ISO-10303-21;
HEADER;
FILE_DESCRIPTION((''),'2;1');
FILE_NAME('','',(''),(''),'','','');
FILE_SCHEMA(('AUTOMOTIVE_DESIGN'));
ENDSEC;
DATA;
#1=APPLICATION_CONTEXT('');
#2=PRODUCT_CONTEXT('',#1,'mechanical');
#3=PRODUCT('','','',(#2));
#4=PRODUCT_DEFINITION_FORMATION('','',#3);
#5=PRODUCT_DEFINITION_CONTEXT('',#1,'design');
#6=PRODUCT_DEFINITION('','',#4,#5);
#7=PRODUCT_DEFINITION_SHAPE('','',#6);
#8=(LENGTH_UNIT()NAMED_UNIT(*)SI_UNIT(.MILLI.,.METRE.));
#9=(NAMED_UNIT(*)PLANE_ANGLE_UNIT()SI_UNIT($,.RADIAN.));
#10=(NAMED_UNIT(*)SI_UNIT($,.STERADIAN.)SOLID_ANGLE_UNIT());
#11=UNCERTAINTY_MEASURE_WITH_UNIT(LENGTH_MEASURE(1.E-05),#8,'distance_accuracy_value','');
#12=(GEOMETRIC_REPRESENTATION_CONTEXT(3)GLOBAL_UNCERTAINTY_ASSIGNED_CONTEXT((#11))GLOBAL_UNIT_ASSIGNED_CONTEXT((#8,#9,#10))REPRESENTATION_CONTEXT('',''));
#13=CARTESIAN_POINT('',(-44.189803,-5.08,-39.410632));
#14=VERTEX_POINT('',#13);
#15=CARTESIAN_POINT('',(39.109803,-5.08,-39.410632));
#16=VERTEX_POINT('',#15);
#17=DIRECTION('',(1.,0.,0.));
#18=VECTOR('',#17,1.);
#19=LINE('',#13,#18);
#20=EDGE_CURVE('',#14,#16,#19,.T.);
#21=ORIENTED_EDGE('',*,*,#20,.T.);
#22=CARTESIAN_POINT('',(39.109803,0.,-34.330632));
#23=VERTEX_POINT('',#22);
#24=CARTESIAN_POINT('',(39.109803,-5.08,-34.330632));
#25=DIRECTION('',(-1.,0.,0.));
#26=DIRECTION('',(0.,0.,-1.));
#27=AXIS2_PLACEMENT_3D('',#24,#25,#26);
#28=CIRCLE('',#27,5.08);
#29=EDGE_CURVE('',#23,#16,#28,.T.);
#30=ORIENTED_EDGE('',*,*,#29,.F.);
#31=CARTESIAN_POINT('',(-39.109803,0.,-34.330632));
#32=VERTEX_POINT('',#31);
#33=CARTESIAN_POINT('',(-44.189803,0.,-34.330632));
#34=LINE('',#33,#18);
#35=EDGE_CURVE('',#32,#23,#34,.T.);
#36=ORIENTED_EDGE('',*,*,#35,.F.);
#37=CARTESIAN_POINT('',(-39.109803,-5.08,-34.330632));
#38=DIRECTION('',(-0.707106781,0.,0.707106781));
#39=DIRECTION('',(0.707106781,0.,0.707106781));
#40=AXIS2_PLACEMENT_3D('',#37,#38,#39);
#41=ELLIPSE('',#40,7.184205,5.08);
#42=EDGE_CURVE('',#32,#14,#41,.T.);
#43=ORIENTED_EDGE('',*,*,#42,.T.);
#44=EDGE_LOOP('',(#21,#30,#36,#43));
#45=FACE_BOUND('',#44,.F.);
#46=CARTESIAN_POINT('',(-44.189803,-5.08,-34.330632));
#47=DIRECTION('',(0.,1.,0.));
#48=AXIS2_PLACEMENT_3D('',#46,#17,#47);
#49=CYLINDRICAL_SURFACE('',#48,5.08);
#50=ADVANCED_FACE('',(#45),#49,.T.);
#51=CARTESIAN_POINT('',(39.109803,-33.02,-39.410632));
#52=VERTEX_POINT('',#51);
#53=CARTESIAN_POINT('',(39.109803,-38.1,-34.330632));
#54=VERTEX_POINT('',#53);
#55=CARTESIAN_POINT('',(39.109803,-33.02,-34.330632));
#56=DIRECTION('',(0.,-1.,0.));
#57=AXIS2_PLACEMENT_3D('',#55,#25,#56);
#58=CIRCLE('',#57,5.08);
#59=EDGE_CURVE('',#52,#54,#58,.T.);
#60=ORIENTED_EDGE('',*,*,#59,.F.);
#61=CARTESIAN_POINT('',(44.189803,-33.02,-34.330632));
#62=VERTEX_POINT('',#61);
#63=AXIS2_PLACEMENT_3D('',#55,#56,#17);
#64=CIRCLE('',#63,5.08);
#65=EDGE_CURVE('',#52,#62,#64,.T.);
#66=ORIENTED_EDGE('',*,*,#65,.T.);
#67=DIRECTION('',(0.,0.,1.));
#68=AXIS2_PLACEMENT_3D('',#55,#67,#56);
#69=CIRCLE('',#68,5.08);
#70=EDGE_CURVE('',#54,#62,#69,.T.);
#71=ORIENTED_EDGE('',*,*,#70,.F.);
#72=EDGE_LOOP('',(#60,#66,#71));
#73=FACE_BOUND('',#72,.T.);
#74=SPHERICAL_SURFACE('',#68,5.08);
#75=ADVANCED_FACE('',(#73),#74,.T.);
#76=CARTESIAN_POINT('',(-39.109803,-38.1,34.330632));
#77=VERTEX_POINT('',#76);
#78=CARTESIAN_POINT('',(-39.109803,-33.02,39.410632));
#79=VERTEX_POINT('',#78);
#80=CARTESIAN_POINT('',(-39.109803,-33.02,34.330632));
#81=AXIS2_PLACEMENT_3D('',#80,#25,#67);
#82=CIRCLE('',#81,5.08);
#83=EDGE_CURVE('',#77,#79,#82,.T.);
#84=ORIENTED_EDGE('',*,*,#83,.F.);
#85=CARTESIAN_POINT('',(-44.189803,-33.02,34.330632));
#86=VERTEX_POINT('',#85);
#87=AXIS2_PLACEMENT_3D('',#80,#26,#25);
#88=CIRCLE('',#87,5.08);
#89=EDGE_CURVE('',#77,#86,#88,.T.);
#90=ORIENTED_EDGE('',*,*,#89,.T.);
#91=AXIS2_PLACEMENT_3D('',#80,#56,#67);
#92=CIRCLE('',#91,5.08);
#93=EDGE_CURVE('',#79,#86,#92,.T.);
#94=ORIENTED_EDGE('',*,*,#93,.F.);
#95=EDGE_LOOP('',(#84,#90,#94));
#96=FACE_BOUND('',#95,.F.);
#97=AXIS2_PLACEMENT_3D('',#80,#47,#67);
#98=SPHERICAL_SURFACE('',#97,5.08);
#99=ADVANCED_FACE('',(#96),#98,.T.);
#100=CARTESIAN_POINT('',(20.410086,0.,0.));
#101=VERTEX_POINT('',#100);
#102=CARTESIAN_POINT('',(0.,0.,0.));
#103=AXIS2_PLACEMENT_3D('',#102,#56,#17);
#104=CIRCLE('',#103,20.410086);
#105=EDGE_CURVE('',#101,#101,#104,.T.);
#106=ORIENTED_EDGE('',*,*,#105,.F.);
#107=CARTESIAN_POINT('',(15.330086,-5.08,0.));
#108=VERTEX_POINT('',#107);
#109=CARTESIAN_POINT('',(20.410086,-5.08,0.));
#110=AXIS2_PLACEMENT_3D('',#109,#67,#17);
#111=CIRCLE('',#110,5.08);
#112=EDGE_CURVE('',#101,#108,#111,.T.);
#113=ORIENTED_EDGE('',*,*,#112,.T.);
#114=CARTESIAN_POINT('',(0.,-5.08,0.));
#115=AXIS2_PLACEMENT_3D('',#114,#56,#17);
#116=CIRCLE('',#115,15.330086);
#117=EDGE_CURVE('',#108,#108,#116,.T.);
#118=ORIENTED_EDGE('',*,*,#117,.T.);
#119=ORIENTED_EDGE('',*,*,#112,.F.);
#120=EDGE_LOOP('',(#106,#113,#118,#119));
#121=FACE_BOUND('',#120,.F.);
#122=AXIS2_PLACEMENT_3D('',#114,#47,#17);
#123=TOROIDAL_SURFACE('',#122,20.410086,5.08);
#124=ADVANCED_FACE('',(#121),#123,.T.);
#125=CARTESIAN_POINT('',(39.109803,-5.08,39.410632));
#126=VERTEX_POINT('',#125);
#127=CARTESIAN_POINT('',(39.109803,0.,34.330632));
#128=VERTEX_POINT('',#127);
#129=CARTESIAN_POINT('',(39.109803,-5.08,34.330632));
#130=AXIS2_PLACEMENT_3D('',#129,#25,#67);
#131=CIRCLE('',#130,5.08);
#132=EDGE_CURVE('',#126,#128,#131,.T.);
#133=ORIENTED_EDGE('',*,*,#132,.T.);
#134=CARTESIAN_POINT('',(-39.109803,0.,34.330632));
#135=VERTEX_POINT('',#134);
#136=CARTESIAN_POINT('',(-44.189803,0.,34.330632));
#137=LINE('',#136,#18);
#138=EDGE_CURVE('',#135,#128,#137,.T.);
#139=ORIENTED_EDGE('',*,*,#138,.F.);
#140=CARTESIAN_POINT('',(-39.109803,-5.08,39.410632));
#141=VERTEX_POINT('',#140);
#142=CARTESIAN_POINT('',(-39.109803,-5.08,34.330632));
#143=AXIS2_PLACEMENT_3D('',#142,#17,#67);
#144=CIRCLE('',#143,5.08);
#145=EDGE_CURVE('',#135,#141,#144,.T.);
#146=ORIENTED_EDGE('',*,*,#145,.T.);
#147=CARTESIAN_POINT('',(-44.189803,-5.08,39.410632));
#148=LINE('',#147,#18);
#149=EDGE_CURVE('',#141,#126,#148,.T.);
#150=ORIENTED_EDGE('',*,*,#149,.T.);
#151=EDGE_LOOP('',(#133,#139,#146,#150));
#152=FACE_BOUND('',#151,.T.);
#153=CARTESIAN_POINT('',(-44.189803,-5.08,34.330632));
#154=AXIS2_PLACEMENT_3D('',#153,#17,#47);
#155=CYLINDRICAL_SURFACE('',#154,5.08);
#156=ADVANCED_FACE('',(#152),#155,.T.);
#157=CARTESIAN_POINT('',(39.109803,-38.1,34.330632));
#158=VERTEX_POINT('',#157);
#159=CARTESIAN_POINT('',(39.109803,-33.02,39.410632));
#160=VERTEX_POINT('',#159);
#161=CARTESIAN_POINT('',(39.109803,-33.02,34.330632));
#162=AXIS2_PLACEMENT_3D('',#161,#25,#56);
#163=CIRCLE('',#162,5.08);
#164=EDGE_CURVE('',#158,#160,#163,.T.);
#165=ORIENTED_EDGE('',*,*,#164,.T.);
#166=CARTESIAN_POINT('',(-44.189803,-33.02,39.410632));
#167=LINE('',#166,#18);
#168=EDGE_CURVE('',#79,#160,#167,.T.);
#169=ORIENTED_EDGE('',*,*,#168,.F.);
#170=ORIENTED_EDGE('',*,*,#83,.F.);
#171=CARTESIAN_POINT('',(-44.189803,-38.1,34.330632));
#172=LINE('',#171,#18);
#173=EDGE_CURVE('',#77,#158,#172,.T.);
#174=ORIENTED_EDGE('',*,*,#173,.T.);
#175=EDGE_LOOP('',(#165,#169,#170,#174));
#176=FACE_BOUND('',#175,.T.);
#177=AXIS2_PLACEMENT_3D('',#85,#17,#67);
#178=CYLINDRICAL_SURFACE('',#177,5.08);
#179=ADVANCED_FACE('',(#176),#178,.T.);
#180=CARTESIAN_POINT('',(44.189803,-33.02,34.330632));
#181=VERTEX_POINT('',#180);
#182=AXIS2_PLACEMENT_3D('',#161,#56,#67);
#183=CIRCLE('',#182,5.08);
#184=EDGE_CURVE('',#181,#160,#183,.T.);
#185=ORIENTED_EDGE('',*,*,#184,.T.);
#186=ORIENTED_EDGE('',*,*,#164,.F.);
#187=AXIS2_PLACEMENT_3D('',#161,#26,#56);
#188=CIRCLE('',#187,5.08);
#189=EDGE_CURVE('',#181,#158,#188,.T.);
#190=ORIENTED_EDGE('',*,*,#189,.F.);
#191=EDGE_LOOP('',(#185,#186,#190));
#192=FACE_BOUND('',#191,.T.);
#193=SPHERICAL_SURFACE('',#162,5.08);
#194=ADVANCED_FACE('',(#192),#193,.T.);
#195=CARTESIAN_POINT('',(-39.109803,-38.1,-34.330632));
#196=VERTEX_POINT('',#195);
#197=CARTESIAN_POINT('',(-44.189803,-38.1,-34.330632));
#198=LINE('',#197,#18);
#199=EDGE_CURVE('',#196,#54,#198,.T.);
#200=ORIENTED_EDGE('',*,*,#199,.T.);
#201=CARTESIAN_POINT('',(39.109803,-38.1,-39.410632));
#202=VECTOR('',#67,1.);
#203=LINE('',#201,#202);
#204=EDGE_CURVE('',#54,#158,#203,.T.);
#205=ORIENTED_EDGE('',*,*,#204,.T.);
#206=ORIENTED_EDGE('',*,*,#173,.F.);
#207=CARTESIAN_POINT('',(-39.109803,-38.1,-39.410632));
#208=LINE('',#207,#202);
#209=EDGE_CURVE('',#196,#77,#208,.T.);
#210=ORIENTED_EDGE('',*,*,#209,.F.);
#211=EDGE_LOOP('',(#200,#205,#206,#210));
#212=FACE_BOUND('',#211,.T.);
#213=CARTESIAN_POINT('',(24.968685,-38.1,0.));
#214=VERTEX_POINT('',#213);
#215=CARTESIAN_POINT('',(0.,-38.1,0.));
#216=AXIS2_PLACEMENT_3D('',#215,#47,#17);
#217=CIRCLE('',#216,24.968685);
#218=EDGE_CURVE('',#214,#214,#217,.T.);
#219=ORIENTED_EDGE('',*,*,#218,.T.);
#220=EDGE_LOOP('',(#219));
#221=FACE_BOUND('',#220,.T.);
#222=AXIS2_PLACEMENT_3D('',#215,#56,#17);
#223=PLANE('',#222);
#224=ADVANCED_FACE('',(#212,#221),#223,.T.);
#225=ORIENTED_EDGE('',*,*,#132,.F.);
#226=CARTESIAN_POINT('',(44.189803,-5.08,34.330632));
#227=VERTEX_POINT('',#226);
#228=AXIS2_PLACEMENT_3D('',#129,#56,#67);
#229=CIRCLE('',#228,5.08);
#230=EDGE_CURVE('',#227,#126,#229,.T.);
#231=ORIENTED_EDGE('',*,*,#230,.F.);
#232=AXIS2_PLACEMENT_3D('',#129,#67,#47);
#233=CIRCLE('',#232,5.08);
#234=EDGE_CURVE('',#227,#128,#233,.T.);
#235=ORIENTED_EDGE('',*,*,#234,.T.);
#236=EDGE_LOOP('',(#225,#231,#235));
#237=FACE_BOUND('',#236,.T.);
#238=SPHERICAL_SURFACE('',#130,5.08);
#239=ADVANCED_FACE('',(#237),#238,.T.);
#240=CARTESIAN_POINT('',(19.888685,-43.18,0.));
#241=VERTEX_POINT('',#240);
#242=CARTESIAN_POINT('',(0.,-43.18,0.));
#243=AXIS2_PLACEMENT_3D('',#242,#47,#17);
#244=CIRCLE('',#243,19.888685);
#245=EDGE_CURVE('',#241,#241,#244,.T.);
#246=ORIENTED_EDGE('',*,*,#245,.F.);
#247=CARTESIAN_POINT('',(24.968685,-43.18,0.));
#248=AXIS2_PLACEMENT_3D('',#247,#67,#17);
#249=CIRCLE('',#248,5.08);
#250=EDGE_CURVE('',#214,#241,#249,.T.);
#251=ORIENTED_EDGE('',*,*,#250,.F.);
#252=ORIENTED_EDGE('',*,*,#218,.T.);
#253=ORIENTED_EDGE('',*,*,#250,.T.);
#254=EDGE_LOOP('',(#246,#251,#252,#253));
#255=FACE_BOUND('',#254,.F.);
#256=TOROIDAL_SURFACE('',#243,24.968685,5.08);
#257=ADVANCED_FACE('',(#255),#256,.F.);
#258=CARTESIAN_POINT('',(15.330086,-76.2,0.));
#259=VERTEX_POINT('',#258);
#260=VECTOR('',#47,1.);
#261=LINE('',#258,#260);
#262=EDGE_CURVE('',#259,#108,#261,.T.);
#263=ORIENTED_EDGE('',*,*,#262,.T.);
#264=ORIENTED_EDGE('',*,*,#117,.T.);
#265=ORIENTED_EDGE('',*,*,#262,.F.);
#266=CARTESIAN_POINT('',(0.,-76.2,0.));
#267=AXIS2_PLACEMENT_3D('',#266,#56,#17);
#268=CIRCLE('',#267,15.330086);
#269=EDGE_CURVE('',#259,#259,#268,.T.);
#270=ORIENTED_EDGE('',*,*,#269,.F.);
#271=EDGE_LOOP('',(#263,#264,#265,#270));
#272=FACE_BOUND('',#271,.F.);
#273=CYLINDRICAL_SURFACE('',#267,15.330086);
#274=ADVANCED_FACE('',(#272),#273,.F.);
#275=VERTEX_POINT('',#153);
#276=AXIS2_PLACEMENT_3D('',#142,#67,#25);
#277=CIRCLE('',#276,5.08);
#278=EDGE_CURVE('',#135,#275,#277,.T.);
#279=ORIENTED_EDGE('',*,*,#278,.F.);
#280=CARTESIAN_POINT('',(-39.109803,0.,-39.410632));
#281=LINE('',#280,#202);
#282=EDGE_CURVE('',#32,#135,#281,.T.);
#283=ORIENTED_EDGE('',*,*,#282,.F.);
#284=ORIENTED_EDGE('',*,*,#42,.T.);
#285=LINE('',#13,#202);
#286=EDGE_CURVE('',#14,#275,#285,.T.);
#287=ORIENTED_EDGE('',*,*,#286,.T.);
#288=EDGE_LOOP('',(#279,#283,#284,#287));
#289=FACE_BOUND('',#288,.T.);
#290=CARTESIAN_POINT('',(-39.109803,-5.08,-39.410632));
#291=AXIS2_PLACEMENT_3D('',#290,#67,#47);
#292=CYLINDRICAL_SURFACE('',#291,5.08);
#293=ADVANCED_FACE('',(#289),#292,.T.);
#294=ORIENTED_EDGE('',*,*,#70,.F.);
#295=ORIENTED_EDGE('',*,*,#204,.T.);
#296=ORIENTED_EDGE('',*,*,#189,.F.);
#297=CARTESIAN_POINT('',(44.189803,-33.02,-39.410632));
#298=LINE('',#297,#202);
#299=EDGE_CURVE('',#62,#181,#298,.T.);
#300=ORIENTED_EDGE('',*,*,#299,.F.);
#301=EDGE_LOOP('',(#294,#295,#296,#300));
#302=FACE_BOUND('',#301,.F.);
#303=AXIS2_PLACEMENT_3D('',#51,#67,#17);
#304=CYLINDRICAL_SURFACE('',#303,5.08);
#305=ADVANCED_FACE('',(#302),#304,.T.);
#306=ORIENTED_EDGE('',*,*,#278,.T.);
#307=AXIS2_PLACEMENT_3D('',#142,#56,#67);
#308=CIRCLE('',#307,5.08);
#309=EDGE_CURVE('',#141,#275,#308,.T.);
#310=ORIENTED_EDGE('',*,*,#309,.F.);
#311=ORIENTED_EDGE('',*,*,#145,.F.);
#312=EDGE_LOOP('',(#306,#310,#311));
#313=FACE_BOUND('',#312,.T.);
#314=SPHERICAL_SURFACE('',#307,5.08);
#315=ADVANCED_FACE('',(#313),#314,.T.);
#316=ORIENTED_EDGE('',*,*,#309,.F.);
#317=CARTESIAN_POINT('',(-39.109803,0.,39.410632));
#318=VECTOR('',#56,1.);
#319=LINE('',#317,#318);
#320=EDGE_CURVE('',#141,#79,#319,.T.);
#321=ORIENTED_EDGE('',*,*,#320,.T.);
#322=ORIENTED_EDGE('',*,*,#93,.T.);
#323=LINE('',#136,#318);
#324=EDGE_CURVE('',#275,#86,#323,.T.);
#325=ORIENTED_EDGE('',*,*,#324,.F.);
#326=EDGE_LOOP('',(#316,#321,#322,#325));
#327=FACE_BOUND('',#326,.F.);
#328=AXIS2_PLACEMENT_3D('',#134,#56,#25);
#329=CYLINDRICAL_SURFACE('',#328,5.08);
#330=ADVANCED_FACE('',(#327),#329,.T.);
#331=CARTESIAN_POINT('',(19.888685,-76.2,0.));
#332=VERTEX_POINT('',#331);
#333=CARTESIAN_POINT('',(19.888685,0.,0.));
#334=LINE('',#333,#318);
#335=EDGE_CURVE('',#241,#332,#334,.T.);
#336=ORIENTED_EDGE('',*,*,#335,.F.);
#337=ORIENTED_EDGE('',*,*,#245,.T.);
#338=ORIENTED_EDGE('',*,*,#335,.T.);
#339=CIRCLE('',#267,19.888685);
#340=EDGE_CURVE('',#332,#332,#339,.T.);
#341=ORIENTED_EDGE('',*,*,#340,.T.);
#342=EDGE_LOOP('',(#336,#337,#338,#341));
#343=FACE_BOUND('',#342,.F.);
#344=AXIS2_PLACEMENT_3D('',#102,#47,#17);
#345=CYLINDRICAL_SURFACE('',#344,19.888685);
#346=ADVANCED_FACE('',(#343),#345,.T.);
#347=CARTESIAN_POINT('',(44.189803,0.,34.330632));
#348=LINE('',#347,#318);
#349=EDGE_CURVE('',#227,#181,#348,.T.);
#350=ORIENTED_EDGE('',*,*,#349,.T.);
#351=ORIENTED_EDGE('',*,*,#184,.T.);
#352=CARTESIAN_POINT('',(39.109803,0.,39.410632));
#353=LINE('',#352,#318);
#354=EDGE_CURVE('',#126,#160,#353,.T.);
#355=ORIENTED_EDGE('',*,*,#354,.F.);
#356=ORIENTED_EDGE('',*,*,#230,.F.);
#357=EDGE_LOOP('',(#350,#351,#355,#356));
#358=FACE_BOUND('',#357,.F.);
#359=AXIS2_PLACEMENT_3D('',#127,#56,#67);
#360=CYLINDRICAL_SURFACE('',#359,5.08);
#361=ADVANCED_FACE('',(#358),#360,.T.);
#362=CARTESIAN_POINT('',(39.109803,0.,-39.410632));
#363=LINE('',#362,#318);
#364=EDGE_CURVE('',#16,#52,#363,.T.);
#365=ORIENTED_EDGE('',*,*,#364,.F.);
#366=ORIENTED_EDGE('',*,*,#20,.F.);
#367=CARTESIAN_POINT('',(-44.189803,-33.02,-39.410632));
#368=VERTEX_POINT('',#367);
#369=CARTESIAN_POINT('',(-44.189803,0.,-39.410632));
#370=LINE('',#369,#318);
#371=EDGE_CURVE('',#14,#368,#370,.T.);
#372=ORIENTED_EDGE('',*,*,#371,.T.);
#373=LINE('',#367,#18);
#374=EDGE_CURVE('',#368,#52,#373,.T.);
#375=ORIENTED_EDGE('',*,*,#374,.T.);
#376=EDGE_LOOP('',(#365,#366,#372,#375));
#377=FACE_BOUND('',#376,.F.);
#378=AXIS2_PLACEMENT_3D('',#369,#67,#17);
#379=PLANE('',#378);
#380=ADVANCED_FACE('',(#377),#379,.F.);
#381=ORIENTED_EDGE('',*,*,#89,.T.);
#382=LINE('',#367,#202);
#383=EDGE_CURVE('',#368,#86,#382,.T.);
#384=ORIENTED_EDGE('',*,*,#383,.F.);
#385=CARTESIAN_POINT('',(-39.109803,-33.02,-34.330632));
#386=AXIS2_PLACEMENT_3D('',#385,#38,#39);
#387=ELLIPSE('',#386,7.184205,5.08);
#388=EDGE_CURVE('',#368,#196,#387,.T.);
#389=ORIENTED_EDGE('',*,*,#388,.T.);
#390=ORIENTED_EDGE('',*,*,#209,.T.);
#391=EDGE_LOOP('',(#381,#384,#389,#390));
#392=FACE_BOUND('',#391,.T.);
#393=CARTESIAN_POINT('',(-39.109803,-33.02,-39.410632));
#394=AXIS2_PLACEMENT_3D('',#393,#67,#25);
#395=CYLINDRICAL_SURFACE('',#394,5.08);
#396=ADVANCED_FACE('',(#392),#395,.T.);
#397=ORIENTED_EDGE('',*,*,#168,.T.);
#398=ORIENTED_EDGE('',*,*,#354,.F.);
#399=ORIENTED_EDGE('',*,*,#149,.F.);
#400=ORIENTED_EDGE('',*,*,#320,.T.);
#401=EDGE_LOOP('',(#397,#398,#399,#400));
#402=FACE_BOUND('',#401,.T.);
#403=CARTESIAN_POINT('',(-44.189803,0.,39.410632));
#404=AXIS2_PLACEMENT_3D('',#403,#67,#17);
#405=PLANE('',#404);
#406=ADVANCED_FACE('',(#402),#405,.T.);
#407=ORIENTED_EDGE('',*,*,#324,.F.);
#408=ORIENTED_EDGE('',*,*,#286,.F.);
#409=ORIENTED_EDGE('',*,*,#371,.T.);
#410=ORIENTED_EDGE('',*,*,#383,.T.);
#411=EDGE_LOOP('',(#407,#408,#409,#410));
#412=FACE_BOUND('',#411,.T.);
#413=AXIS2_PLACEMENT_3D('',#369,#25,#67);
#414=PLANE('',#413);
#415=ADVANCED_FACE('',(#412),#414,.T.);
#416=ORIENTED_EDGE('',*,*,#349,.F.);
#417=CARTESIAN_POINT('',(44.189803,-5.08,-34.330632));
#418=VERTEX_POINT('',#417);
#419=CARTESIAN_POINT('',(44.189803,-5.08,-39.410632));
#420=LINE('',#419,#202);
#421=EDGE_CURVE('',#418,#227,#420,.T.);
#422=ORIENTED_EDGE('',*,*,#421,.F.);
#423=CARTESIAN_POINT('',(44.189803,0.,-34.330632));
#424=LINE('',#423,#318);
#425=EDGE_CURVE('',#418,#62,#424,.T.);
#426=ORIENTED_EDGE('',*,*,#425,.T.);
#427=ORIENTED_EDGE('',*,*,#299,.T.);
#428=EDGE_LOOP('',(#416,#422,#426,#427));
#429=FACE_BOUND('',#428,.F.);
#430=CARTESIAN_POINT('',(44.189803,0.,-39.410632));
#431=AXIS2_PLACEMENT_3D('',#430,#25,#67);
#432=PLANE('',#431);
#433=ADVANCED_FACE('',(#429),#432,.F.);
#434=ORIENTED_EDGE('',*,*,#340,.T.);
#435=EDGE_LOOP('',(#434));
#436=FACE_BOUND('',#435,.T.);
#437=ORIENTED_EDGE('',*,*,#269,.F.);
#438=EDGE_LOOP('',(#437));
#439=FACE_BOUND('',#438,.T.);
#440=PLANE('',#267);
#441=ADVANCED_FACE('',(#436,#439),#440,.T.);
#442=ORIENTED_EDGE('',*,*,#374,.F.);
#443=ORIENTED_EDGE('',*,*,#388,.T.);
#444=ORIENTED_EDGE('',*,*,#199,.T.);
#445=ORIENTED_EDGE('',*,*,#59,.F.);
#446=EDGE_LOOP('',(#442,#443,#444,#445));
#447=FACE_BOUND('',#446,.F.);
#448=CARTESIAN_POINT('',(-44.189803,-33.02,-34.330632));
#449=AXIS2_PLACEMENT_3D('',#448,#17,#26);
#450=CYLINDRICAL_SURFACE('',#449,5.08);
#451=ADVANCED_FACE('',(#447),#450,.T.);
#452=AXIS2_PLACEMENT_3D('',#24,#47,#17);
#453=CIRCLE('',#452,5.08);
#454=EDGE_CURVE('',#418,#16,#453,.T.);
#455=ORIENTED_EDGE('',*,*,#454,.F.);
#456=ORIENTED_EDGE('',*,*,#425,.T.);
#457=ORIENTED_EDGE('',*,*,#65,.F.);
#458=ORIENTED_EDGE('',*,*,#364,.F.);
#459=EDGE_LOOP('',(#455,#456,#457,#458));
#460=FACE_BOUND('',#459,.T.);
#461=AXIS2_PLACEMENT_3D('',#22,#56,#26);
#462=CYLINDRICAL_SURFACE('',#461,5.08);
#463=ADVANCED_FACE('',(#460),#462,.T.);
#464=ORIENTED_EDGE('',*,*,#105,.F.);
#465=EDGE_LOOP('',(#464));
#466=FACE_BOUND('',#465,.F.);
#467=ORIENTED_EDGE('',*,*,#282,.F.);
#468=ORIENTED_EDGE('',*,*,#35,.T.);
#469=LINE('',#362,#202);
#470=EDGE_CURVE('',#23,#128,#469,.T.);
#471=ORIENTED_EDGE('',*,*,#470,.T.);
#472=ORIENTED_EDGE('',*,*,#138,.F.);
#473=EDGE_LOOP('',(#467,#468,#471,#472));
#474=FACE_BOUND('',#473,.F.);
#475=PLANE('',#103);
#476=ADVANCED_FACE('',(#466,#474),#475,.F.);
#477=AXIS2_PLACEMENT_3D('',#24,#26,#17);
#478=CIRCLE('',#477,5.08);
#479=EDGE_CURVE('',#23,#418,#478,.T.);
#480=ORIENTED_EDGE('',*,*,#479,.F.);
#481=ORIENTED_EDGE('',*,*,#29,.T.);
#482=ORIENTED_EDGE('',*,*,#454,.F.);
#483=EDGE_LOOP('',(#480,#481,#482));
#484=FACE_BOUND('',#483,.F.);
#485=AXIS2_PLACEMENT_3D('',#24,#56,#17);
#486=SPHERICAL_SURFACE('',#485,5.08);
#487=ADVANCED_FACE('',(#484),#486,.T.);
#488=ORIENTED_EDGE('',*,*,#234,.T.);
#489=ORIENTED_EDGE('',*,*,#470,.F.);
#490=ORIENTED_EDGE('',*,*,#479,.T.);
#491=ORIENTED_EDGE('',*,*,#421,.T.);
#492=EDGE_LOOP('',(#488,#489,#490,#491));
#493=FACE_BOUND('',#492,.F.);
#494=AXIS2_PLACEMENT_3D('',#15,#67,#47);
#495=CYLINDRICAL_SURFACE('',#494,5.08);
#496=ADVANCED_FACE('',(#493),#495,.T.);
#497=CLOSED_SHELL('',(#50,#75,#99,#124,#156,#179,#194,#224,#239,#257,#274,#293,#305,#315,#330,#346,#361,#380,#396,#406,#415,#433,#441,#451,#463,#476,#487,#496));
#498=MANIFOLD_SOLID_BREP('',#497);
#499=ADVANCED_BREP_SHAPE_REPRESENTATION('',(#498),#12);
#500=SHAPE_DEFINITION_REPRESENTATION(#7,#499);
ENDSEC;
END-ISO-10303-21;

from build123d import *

# Parameters (mm, degrees)
F0_W     = 88.3796066046
F0_H     = 78.8212642074
F1_DEPTH = 38.1
F2_R     = 19.8886852244
F3_DEPTH = 76.2
F4_R     = 15.3300862408
F5_DEPTH = 101.6
F6_R     = 5.08


with BuildPart() as f1:
    # F0 (on Front) → F1 (new body)
    with BuildSketch(Plane.XZ):
        Rectangle(F0_W, F0_H)
    extrude(amount=F1_DEPTH)

    # F2 (on Front) → F3 (join)
    with BuildSketch(Plane.XZ):
        Circle(F2_R)
    extrude(amount=F3_DEPTH)

    # F4 (on face) → F5 (cut)
    with BuildSketch(Plane.XZ.offset(76.2)):
        Circle(F4_R)
    extrude(amount=-F5_DEPTH, mode=Mode.SUBTRACT)

    # F6
    f6_edges = [f1.edges().sort_by_distance(p)[0] for p in [
        (-44.189803, -19.05, 39.410632),
        (0, 0, 39.410632),
        (0, -38.1, 39.410632),
        (44.189803, -38.1, 0),
        (-44.189803, -38.1, 0),
        (0, -38.1, -39.410632),
        (-19.888685, -38.1, 0),
        (44.189803, -19.05, -39.410632),
        (44.189803, -19.05, 39.410632),
        (44.189803, 0, 0),
        (-44.189803, 0, 0),
        (0, 0, -39.410632),
        (-15.330086, 0, 0),
    ]]
    fillet(f6_edges, radius=F6_R)


solid = f1.part
